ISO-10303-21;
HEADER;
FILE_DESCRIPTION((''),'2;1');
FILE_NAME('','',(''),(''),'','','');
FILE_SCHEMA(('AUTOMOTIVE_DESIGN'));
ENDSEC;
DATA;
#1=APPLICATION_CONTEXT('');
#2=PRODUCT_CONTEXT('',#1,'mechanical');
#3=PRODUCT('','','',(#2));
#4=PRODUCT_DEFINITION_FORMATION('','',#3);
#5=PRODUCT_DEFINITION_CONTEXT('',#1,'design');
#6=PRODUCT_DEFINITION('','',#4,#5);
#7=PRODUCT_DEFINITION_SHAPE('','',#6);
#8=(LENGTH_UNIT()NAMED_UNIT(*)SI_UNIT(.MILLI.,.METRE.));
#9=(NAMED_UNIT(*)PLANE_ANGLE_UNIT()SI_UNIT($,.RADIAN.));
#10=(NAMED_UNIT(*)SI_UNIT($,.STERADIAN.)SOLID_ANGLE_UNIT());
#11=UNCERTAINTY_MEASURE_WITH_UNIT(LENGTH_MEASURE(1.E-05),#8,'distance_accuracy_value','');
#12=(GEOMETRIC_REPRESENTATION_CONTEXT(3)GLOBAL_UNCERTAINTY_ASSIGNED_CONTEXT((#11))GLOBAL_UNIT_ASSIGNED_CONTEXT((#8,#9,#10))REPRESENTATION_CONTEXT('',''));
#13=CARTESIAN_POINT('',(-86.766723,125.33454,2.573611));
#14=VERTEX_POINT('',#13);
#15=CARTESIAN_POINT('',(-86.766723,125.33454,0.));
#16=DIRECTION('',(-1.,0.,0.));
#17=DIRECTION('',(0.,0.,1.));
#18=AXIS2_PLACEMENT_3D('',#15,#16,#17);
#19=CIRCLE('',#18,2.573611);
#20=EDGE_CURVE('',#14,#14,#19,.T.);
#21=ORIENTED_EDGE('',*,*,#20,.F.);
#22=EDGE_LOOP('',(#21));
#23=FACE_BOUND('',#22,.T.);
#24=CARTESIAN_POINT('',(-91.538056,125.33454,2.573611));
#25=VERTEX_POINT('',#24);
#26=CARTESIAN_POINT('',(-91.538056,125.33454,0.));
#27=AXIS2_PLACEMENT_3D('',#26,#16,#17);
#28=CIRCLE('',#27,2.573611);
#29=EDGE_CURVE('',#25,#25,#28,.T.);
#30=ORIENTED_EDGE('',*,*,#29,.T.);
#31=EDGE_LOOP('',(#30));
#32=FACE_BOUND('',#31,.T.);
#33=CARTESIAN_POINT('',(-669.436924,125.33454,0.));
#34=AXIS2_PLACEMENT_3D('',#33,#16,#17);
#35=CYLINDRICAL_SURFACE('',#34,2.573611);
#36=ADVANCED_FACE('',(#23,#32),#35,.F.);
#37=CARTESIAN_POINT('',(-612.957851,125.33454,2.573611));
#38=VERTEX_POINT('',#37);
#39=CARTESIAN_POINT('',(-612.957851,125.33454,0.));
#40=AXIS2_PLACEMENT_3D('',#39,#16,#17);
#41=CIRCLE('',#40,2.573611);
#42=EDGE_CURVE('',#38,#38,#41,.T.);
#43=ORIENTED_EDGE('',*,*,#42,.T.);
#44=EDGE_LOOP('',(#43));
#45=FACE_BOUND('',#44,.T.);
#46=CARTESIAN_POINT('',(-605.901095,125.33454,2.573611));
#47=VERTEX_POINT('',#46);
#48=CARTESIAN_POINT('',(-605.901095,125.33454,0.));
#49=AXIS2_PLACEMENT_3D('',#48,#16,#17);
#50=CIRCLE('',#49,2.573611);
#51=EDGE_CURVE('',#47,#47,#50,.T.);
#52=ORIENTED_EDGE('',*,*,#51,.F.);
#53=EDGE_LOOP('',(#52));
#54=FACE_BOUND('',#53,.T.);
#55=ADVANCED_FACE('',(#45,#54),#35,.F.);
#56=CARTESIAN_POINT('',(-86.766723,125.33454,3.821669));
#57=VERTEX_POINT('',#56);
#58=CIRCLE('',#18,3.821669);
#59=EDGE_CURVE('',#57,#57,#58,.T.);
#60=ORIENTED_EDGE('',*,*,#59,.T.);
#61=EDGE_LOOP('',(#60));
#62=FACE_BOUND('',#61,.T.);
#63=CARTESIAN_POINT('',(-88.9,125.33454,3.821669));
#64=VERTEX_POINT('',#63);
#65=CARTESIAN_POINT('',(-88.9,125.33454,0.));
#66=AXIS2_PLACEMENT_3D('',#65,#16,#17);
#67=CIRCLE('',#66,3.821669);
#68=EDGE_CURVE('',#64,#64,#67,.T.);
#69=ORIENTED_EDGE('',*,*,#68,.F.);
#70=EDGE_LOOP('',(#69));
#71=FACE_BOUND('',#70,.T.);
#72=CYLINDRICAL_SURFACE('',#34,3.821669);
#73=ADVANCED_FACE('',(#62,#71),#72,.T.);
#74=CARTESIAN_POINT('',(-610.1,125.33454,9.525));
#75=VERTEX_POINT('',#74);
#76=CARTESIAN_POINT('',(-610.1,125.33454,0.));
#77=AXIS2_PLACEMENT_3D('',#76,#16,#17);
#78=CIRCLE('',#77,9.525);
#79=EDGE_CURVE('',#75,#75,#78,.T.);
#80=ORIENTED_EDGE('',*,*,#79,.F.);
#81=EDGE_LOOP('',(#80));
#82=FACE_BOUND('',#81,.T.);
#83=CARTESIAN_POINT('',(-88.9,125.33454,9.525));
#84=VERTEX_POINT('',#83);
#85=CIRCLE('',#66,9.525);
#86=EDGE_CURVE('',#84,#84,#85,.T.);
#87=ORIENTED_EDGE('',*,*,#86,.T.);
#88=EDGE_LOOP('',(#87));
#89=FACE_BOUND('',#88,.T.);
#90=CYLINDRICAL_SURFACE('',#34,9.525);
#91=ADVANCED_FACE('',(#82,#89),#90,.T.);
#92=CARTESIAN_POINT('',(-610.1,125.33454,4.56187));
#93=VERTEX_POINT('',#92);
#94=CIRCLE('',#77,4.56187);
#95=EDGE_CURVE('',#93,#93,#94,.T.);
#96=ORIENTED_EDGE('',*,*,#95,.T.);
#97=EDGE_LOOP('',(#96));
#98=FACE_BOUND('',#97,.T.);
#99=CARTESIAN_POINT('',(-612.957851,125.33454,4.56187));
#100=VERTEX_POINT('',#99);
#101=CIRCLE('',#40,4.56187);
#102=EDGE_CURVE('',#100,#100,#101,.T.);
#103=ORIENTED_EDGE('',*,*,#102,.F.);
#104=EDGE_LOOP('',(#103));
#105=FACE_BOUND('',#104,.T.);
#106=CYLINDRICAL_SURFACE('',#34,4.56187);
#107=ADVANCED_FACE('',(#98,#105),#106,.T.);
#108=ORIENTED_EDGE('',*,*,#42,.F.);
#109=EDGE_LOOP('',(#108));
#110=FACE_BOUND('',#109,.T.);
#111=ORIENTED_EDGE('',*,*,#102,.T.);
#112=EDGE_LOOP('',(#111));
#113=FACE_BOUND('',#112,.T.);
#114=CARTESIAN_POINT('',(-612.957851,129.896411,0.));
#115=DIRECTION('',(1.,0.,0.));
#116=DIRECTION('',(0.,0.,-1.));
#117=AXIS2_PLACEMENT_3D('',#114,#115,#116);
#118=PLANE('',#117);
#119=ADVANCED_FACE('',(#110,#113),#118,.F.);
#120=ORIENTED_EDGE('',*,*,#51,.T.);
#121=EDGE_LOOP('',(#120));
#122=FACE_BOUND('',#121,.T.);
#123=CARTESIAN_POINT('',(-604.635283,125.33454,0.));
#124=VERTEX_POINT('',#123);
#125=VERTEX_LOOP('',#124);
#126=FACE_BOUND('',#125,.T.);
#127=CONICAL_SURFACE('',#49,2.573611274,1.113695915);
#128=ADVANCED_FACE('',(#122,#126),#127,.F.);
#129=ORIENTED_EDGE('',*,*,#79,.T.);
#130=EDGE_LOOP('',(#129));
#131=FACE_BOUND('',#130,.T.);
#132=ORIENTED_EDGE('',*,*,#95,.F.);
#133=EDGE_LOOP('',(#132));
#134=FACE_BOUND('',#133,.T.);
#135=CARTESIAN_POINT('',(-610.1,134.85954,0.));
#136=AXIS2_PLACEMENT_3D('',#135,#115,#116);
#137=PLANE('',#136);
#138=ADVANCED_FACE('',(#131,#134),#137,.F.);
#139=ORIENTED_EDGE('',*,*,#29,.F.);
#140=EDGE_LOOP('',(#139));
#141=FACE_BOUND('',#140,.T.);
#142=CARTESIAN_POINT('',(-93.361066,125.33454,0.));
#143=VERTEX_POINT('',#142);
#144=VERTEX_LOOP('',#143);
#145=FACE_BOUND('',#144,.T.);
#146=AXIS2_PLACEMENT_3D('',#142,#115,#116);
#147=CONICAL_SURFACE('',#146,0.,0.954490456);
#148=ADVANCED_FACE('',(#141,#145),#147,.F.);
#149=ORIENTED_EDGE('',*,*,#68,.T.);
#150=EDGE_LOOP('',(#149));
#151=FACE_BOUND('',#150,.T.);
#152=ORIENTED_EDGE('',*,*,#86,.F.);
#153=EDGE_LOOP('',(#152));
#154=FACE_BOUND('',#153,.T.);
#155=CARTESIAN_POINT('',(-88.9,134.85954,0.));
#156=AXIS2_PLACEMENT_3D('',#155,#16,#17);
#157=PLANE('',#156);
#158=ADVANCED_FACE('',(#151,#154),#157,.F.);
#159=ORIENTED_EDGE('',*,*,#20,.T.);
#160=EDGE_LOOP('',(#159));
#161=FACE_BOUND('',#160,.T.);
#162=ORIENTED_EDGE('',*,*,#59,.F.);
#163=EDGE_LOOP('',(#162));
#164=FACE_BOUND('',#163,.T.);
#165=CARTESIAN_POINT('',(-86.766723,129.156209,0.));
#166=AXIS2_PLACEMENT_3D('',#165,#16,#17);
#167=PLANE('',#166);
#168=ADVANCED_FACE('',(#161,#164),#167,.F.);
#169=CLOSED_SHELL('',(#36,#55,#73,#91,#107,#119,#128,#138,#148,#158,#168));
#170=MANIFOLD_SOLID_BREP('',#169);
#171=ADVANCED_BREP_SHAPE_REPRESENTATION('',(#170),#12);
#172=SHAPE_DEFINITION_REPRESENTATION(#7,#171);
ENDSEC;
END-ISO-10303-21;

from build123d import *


with BuildPart() as part:
    # Sketch1 → Revolve1 (revolve)
    with BuildSketch(Plane.XY):
        Polygon((-610.1, 134.859540351), (-88.9, 134.859540351), (-88.9, 129.156209163), (-86.766722823, 129.156209163), (-86.766722823, 127.908151625), (-91.538056477, 127.908151625), (-93.361065656, 125.334540351), (-604.635283007, 125.334540351), (-605.901094644, 127.908151625), (-612.957851499, 127.908151625), (-612.957851499, 129.896410741), (-610.1, 129.896410741), align=None)
    revolve(axis=Axis((-669.436923845, 125.334540351, 0), (1, 0, 0)))


solid = part.part
